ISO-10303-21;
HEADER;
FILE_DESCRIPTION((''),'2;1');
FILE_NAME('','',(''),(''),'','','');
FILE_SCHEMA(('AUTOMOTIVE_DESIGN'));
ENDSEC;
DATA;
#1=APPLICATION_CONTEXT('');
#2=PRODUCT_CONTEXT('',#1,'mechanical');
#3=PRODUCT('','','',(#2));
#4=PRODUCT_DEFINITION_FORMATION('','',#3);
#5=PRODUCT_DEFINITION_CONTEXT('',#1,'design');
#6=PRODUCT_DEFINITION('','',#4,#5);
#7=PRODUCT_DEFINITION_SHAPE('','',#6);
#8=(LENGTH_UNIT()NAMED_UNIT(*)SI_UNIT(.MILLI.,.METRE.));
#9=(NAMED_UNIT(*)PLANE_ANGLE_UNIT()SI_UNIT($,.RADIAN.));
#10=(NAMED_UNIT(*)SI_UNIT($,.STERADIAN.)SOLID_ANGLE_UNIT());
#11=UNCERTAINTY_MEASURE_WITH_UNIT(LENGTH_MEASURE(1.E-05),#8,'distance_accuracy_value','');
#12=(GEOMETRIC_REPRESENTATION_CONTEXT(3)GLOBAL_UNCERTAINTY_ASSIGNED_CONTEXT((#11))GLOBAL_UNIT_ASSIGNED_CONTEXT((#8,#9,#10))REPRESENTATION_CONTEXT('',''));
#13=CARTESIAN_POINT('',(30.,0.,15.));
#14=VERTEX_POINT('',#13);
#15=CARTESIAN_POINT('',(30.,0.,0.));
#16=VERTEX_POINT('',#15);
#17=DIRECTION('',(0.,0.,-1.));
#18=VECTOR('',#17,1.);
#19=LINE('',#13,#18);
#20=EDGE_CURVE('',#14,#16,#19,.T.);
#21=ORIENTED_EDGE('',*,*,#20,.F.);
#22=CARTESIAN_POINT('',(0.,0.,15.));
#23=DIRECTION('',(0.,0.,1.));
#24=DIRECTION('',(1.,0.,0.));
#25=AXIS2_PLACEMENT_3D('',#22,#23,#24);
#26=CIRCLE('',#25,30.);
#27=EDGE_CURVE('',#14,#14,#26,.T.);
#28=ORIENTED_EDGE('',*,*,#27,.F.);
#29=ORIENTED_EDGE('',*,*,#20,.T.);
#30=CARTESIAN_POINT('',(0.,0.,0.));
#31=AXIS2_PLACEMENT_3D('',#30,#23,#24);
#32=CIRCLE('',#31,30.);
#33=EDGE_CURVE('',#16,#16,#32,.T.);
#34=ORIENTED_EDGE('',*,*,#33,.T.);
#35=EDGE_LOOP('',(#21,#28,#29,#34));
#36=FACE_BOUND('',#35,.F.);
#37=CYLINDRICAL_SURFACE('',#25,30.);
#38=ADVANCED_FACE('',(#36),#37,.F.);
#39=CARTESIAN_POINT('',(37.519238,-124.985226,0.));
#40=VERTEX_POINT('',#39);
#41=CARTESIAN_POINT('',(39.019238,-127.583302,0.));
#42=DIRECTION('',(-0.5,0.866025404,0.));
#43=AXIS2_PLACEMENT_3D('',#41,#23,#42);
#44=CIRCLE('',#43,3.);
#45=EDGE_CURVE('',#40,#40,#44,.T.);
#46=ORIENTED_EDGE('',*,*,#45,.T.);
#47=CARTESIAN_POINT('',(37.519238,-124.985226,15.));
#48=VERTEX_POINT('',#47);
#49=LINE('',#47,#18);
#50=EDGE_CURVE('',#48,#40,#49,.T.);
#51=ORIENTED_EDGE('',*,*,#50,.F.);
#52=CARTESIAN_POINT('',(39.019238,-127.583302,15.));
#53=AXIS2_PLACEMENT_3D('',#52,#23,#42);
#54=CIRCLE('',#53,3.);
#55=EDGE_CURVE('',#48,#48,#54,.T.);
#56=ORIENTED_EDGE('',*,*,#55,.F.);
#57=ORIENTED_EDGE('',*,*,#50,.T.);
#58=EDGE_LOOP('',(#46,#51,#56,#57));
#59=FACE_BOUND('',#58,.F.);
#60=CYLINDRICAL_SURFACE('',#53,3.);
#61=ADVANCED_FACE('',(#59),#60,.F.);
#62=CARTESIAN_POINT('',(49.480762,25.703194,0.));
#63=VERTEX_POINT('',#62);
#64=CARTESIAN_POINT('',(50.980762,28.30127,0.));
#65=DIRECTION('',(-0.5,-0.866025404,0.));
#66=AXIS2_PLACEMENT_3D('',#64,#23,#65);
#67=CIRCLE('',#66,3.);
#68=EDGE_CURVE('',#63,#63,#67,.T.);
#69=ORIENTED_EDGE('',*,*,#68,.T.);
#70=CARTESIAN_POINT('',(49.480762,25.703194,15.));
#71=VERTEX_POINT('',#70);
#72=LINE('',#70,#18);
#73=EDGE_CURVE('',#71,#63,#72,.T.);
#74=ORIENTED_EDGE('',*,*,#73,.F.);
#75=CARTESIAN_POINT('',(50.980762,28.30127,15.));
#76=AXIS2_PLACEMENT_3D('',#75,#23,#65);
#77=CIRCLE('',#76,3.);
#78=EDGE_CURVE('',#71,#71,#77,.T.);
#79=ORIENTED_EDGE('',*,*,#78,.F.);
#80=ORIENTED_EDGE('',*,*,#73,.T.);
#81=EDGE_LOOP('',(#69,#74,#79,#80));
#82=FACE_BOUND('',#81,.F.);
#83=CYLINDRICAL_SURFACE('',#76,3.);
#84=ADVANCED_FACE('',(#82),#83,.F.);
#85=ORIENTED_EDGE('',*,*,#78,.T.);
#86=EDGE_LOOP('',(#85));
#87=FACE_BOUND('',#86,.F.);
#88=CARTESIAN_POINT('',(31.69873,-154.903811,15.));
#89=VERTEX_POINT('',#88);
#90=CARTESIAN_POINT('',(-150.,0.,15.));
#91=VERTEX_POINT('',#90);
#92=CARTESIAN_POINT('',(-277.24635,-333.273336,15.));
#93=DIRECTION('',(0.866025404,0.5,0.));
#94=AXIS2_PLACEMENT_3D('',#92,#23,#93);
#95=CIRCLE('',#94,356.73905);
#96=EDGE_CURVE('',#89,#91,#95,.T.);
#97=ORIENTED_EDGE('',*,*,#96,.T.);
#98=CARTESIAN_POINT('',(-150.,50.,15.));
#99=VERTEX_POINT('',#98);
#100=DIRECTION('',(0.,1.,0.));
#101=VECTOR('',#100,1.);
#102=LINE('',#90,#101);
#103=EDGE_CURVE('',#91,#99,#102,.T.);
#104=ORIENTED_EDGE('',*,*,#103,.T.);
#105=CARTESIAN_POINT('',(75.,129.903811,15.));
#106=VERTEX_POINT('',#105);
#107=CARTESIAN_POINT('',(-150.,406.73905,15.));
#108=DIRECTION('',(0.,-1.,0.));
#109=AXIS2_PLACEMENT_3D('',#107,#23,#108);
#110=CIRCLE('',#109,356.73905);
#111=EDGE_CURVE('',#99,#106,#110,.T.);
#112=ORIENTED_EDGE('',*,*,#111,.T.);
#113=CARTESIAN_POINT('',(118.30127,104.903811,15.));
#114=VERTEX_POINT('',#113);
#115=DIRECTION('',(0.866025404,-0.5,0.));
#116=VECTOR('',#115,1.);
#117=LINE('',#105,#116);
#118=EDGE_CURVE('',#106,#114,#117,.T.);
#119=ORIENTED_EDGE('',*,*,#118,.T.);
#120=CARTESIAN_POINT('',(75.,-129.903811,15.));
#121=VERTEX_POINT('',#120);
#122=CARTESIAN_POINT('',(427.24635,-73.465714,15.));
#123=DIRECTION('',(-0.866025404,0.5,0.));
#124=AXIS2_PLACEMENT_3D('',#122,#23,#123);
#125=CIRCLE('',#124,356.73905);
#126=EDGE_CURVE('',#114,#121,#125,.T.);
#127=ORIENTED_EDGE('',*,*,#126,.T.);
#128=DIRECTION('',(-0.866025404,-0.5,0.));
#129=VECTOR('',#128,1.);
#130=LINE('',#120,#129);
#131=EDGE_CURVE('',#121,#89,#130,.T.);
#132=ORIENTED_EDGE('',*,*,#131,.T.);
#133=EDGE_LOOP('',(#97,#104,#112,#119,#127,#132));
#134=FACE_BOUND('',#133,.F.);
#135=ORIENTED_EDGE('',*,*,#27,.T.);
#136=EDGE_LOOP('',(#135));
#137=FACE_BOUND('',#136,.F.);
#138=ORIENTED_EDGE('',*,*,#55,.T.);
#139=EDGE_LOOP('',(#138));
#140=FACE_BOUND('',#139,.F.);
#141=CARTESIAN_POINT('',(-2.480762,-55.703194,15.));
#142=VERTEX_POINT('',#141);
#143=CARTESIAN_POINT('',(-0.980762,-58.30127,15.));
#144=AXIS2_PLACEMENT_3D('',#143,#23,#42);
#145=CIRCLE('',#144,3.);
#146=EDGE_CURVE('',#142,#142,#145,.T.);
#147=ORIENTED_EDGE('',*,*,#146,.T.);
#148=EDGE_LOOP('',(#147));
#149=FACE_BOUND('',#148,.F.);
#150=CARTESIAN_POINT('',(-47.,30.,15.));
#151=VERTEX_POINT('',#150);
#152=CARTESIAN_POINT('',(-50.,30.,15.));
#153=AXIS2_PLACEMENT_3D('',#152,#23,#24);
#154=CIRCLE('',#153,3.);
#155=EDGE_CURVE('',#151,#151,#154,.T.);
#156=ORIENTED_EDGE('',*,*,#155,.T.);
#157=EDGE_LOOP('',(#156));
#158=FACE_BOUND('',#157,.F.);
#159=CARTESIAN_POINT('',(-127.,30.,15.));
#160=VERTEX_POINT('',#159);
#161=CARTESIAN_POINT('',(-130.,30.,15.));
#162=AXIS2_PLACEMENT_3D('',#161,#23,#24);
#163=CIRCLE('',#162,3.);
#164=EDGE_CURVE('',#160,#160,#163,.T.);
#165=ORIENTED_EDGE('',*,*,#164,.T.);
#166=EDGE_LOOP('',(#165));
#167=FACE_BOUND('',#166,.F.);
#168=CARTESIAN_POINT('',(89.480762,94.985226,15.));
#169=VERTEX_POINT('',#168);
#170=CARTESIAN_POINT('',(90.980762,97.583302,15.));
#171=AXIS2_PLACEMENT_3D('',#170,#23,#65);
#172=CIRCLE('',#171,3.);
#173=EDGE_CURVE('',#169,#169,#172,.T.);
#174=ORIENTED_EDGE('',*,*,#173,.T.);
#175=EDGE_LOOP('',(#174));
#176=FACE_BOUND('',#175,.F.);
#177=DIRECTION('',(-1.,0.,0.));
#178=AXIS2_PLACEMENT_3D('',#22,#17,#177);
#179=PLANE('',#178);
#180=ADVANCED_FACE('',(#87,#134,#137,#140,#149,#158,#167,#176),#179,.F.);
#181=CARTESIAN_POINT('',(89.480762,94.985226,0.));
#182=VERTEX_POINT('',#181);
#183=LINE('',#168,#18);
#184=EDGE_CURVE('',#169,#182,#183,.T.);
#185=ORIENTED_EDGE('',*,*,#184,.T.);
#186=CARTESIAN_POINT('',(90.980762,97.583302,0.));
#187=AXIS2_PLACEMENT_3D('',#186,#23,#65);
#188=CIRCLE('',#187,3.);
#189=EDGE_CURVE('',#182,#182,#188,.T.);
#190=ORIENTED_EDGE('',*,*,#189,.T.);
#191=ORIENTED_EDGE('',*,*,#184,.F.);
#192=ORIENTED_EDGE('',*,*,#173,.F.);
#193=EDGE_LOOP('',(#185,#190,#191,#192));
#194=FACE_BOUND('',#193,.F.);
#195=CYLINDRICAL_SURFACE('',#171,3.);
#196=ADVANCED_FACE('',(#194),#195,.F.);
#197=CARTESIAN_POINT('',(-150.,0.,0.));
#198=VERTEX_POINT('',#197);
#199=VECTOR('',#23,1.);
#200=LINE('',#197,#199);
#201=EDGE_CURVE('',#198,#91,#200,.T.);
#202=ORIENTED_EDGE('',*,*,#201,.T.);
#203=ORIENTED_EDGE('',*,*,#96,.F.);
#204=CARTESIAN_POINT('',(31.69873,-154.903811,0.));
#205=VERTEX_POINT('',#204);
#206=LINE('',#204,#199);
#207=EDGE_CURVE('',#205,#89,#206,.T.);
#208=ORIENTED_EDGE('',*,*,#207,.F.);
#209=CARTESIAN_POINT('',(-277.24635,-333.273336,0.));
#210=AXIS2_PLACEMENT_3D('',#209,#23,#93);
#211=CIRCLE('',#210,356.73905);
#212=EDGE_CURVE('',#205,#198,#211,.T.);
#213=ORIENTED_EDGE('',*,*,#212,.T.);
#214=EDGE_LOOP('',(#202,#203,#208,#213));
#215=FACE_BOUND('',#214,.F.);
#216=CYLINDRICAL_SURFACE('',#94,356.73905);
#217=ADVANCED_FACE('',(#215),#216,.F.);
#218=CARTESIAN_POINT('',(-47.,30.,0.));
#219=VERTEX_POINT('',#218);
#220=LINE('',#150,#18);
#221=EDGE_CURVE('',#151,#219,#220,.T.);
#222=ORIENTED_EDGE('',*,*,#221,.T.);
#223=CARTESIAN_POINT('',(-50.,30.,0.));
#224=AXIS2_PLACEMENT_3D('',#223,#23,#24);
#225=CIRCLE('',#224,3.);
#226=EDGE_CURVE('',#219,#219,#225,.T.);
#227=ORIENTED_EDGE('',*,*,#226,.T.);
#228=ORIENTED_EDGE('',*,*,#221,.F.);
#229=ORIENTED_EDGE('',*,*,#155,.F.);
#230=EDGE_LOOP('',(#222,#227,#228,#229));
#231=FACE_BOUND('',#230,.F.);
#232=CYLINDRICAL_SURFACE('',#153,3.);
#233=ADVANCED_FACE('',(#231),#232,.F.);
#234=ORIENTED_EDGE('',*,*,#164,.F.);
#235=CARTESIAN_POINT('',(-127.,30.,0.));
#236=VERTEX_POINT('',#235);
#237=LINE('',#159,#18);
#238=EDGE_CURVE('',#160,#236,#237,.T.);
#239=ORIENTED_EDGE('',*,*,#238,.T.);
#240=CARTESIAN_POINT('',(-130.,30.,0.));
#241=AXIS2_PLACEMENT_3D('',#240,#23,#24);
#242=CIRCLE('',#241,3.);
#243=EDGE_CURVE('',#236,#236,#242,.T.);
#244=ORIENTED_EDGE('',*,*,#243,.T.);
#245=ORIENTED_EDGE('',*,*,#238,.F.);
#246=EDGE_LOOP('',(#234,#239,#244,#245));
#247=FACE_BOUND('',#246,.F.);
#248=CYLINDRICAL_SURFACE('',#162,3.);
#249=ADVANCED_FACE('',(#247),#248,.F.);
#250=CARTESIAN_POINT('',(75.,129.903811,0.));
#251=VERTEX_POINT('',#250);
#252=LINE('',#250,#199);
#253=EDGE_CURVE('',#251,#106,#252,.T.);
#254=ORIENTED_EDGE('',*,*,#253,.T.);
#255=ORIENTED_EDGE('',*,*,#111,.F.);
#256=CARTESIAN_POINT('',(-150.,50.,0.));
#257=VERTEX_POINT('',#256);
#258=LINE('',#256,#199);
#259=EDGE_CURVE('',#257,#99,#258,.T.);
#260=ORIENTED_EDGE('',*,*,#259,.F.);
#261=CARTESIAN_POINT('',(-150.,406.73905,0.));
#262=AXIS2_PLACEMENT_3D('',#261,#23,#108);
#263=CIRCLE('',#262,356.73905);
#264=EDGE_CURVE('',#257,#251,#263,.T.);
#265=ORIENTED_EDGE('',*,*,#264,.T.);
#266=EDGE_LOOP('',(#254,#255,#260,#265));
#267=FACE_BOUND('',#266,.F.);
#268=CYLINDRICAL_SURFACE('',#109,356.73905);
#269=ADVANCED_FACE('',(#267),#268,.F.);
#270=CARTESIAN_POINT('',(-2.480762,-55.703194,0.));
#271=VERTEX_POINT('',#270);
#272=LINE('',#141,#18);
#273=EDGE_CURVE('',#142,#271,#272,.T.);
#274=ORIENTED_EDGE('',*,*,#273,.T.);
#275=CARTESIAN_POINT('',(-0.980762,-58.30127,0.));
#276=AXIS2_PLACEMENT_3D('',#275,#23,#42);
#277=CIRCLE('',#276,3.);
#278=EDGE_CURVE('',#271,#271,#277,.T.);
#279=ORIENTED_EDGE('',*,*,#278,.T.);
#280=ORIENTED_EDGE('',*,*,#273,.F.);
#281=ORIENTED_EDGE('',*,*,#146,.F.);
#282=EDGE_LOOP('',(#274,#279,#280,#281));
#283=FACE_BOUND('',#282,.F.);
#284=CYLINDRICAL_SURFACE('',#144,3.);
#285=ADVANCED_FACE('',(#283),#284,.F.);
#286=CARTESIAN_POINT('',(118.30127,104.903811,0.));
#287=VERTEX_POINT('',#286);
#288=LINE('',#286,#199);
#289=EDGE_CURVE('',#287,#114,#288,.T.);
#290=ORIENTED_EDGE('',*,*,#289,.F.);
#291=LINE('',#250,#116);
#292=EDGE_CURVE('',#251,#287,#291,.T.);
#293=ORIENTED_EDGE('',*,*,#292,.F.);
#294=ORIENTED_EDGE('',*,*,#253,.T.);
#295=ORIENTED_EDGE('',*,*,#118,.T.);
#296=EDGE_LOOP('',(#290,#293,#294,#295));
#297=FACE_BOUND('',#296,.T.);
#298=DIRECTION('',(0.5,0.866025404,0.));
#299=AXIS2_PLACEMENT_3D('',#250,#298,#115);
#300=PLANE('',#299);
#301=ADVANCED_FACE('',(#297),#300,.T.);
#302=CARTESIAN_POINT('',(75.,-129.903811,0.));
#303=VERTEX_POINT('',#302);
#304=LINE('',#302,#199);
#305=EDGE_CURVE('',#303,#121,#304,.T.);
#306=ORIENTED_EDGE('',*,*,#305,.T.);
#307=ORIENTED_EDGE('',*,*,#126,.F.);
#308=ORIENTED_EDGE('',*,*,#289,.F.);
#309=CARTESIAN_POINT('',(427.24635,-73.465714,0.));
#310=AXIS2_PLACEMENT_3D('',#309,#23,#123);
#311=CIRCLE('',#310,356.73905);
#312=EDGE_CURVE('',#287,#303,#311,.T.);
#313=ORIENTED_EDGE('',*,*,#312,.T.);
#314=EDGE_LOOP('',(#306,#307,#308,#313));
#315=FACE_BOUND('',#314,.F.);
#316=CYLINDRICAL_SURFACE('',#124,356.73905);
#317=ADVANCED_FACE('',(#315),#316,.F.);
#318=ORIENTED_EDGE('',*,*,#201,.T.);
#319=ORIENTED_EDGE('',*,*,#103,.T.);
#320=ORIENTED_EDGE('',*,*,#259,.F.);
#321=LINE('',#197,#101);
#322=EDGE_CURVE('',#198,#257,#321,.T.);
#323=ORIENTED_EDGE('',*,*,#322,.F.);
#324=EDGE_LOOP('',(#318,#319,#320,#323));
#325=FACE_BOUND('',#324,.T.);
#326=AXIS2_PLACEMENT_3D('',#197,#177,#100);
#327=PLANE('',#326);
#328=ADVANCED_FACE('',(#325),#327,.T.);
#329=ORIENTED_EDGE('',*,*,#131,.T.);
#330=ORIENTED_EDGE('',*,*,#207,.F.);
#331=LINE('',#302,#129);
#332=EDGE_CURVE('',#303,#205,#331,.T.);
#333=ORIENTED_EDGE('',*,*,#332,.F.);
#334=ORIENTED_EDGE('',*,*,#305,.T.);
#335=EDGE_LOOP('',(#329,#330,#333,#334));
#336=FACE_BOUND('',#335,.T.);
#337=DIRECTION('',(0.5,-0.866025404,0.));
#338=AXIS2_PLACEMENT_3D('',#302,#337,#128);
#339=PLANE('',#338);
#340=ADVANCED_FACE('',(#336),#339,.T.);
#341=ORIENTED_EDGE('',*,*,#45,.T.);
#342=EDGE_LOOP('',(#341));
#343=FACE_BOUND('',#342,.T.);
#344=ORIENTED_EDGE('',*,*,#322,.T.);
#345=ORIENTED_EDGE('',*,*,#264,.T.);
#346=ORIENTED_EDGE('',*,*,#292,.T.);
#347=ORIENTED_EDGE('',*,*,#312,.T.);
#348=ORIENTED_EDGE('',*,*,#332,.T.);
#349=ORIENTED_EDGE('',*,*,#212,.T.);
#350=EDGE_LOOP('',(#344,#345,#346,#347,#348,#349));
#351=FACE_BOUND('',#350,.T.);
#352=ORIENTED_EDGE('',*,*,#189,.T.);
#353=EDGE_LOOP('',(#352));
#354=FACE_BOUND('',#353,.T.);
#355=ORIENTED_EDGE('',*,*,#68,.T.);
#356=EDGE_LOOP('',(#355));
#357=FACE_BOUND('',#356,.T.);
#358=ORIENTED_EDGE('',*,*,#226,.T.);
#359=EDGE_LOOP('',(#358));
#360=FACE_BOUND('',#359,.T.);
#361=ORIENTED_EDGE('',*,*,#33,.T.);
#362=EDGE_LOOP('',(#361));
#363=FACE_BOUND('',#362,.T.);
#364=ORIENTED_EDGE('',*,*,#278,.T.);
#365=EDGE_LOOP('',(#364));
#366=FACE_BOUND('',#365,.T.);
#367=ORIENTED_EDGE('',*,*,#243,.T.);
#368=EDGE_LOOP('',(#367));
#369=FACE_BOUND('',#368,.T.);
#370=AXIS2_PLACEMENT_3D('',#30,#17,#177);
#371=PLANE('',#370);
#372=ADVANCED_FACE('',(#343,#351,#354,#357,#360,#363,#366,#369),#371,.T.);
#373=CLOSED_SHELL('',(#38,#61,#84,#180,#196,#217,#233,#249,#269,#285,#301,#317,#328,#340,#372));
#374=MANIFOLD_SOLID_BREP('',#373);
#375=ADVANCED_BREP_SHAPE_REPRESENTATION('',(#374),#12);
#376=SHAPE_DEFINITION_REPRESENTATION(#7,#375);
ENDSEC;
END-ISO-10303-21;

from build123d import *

# Parameters (mm, degrees)
PAD_DEPTH             = 15
SKETCH001_R           = 3
POCKET_DEPTH          = 798.1381594859
POLARPATTERN_COUNT    = 3
POCKET001_DEPTH       = 798.1381594859
POLARPATTERN001_COUNT = 3
SKETCH003_R           = 30
POCKET002_DEPTH       = 15.001


with BuildPart() as part:
    # Sketch → Pad (new body)
    with BuildSketch(Plane.XY):
        Polygon((-150, 0), (-150, 50), (75, 129.9038105677), (118.3012701892, 104.9038105677), (75, -129.9038105677), (31.6987298108, -154.9038105677), align=None)
    extrude(amount=PAD_DEPTH)

    # Sketch001 (on Face8 of Pad) → Pocket (cut, through all)
    with BuildSketch(Plane.XY.offset(15)):
        with Locations((-130, 30)):
            Circle(SKETCH001_R)
        with Locations((-50, 30)):
            Circle(SKETCH001_R)
    pocket = extrude(amount=-POCKET_DEPTH, mode=Mode.SUBTRACT)

    # PolarPattern: Pocket ×3 about axis
    polarpattern_axis = Axis((0, 0, 0), (0, 0, 1))
    for i in range(1, POLARPATTERN_COUNT):
        add(pocket.rotate(polarpattern_axis, i * 360 / POLARPATTERN_COUNT), mode=Mode.SUBTRACT)

    # Sketch002 (on Face5 of PolarPattern) → Pocket001 (cut, through all)
    with BuildSketch(Plane.XY.offset(15)):
        with BuildLine():
            ThreePointArc((-150, 50), (-30.6165642318, 70.5689367266), (75, 129.9038105677))
            Line((-150, 50), (75, 129.9038105677))
        make_face()
    pocket001 = extrude(amount=-POCKET001_DEPTH, mode=Mode.SUBTRACT)

    # PolarPattern001: Pocket001 ×3 about axis
    polarpattern001_axis = Axis((0, 0, 0), (0, 0, 1))
    for i in range(1, POLARPATTERN001_COUNT):
        add(pocket001.rotate(polarpattern001_axis, i * 360 / POLARPATTERN001_COUNT), mode=Mode.SUBTRACT)

    # Sketch003 (on Face5 of PolarPattern001) → Pocket002 (cut, through all)
    with BuildSketch(Plane.XY.offset(15)):
        Circle(SKETCH003_R)
    extrude(amount=-POCKET002_DEPTH, mode=Mode.SUBTRACT)


solid = part.part
